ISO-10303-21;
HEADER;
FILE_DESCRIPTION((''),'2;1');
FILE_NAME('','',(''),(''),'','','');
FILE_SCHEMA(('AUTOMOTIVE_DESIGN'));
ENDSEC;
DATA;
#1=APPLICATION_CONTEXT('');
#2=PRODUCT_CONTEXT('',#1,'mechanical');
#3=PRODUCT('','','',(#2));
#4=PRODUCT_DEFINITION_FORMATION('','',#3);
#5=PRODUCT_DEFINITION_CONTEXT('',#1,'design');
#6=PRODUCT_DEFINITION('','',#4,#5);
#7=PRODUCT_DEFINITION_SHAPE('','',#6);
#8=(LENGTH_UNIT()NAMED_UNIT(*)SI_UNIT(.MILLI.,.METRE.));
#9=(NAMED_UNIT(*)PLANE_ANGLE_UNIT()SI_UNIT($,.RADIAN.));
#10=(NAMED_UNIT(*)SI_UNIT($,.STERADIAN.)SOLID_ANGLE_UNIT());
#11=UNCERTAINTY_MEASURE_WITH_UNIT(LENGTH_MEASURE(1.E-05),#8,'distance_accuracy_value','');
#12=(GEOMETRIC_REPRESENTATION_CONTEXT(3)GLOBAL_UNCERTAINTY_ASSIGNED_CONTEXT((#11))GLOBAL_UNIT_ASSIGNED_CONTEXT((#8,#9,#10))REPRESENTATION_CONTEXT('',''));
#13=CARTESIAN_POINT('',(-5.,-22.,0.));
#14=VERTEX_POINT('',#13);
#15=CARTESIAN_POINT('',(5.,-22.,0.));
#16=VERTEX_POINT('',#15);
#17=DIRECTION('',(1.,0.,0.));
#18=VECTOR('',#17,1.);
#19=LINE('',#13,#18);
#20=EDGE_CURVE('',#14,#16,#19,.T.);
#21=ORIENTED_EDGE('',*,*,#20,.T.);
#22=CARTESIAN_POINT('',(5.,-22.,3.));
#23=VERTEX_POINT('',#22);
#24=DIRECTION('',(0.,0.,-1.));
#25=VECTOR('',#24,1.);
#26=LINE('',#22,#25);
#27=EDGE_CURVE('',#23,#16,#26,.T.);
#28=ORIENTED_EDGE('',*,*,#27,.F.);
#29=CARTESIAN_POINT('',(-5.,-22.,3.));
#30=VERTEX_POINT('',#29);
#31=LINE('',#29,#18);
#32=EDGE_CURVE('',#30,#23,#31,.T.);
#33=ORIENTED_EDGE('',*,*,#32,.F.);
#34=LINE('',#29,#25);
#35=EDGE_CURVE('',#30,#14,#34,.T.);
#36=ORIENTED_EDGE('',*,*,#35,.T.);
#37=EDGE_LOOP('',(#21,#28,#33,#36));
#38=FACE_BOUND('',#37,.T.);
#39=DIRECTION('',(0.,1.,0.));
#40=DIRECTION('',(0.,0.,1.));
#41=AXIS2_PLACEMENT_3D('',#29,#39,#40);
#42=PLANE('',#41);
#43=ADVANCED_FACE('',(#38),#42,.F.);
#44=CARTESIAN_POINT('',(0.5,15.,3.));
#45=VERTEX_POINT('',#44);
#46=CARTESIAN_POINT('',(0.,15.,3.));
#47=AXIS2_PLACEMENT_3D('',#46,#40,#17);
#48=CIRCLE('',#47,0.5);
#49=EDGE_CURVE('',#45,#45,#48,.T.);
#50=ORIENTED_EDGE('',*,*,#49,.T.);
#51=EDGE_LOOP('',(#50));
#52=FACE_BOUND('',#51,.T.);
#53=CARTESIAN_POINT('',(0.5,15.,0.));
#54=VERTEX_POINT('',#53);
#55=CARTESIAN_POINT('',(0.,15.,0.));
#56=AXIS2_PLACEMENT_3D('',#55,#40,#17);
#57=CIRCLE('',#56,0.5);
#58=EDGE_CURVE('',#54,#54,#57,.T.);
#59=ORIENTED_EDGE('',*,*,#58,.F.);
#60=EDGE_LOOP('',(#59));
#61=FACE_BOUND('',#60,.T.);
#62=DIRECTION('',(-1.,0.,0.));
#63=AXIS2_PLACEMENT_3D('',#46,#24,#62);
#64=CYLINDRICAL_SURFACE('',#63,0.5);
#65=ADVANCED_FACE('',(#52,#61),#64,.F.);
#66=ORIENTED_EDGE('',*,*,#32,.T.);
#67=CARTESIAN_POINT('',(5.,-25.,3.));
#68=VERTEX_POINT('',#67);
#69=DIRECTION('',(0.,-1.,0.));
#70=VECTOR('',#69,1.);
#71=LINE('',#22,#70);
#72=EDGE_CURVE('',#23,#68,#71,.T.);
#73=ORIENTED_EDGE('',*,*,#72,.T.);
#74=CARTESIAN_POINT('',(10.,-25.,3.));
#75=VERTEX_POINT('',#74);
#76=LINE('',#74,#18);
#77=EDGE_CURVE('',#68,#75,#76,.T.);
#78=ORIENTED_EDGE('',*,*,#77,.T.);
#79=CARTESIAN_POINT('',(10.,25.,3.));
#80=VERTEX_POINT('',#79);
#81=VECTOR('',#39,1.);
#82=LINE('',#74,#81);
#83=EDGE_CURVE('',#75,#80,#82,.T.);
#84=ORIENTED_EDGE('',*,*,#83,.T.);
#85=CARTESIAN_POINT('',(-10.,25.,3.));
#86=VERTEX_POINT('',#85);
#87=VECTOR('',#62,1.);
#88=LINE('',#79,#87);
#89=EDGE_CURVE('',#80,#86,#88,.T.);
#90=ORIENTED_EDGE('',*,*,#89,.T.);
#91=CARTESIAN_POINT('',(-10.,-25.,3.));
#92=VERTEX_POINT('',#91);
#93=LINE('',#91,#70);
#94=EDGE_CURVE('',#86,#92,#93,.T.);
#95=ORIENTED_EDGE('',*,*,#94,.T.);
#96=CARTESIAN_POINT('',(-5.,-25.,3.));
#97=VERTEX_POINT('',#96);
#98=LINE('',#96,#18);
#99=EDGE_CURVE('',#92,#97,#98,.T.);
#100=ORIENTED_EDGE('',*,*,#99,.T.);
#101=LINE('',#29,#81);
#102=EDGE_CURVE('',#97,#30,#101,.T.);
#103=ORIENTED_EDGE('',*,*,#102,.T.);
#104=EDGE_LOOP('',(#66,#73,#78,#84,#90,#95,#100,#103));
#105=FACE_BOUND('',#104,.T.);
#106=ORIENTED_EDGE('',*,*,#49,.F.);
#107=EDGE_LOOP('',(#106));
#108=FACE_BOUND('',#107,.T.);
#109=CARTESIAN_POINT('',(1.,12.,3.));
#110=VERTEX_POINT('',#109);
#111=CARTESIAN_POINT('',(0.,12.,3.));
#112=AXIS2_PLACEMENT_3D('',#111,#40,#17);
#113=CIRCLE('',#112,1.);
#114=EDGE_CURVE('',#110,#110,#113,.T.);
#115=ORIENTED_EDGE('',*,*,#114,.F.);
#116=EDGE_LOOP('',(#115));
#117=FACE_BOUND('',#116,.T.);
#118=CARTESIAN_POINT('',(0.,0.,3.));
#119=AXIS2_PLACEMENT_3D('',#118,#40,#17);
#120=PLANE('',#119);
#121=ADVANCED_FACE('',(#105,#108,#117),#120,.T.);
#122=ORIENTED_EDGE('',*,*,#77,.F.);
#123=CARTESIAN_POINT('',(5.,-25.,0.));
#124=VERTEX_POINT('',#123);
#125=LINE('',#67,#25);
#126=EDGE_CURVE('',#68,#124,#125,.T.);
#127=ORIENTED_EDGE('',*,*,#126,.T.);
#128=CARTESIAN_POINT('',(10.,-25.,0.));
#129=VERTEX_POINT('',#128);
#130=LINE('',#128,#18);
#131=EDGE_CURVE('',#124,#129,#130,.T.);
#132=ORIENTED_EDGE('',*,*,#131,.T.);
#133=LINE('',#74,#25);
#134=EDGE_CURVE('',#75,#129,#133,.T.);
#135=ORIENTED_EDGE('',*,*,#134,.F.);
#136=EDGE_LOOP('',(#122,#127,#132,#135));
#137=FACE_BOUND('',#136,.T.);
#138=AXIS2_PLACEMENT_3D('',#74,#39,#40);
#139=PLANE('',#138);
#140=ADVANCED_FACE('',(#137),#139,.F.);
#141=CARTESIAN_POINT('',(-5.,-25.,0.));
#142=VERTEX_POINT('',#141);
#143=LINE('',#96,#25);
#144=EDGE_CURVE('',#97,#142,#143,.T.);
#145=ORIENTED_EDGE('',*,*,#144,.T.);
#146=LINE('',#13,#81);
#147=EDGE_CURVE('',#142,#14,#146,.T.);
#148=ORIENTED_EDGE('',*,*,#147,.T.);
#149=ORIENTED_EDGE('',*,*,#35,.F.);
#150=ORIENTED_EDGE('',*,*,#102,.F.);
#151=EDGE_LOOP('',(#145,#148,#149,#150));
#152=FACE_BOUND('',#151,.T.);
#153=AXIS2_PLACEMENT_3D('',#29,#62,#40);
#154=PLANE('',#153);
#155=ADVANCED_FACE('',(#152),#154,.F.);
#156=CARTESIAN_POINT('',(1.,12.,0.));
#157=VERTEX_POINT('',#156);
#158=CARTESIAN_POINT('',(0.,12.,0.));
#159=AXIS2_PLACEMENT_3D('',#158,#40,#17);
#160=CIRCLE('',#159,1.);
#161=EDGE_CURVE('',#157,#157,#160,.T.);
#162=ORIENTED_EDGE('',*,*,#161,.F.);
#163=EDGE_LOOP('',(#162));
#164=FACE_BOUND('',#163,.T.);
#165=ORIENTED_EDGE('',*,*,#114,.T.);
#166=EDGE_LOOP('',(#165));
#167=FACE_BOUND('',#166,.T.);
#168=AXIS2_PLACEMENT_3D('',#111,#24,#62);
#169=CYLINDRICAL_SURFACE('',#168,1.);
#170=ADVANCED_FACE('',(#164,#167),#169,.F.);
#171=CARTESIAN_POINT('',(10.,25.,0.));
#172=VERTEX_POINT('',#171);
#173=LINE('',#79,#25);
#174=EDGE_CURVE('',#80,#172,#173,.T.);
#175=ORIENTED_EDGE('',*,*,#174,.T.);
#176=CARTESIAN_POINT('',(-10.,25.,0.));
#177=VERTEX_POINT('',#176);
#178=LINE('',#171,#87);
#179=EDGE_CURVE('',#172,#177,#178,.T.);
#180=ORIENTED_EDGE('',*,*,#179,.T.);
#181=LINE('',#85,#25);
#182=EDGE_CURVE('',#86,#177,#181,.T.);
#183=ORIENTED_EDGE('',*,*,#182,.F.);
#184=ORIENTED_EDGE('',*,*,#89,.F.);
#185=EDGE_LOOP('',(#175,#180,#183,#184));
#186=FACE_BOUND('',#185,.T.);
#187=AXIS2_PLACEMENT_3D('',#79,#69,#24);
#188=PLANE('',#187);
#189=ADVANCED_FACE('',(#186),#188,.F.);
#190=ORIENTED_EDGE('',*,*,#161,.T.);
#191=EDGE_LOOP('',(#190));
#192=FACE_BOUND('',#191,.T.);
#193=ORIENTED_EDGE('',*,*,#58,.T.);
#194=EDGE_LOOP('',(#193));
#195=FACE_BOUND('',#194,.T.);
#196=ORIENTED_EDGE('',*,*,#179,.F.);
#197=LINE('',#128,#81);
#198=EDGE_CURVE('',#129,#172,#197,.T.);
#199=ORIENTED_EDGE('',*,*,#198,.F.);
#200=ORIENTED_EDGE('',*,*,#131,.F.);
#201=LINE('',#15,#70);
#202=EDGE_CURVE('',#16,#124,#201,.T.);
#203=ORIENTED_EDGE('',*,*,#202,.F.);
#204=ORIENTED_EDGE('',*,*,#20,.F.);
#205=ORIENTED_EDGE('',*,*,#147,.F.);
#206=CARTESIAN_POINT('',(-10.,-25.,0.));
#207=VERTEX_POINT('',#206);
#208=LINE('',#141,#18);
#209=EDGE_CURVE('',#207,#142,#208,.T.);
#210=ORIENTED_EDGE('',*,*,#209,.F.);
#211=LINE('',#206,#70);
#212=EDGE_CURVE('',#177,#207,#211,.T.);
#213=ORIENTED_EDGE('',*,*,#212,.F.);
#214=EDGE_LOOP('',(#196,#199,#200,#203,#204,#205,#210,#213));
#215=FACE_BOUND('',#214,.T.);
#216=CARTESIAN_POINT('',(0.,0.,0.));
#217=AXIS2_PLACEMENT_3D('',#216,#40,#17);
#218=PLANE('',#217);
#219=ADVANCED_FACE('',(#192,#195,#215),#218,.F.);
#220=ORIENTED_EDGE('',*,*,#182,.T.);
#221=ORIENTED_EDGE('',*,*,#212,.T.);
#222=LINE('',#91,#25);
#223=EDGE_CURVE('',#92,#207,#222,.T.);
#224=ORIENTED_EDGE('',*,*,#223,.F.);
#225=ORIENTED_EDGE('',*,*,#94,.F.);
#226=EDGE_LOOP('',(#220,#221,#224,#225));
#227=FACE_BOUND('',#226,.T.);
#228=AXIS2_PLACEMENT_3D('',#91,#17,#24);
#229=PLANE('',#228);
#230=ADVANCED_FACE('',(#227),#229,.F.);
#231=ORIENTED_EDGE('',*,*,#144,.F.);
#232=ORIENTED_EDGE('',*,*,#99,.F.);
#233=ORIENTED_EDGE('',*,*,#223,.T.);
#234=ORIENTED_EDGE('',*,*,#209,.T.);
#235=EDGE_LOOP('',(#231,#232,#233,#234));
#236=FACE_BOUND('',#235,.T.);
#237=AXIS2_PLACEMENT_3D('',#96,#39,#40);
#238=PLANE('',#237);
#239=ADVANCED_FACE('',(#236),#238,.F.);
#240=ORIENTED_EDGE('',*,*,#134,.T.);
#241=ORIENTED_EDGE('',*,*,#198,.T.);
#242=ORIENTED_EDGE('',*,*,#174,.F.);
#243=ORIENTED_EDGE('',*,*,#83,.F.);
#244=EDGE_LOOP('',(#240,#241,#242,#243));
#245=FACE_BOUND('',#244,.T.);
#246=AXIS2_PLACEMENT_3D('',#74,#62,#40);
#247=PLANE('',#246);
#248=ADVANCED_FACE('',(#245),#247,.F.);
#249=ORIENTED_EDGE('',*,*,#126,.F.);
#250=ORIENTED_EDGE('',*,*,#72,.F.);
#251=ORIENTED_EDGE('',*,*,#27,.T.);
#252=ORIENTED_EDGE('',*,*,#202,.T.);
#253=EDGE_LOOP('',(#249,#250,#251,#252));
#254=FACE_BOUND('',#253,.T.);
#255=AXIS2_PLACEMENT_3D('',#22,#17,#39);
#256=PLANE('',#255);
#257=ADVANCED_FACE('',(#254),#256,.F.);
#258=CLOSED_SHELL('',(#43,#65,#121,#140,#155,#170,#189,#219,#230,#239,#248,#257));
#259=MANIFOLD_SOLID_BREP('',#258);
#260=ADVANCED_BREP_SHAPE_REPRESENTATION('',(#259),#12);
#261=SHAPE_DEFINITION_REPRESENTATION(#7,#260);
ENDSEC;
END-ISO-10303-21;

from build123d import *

# Parameters (mm, degrees)
SKETCH1_R           = 0.5
SKETCH1_R_2         = 1
BOSS_EXTRUDE1_DEPTH = 3


with BuildPart() as part:
    # Sketch1 → Boss-Extrude1 (new body)
    with BuildSketch(Plane.XY):
        Polygon((-5, -22), (5, -22), (5, -25), (10, -25), (10, 25), (-10, 25), (-10, -25), (-5, -25), align=None)
        with Locations((0, 15)):
            Circle(SKETCH1_R, mode=Mode.SUBTRACT)
        with Locations((0, 12)):
            Circle(SKETCH1_R_2, mode=Mode.SUBTRACT)
    extrude(amount=BOSS_EXTRUDE1_DEPTH)


solid = part.part
